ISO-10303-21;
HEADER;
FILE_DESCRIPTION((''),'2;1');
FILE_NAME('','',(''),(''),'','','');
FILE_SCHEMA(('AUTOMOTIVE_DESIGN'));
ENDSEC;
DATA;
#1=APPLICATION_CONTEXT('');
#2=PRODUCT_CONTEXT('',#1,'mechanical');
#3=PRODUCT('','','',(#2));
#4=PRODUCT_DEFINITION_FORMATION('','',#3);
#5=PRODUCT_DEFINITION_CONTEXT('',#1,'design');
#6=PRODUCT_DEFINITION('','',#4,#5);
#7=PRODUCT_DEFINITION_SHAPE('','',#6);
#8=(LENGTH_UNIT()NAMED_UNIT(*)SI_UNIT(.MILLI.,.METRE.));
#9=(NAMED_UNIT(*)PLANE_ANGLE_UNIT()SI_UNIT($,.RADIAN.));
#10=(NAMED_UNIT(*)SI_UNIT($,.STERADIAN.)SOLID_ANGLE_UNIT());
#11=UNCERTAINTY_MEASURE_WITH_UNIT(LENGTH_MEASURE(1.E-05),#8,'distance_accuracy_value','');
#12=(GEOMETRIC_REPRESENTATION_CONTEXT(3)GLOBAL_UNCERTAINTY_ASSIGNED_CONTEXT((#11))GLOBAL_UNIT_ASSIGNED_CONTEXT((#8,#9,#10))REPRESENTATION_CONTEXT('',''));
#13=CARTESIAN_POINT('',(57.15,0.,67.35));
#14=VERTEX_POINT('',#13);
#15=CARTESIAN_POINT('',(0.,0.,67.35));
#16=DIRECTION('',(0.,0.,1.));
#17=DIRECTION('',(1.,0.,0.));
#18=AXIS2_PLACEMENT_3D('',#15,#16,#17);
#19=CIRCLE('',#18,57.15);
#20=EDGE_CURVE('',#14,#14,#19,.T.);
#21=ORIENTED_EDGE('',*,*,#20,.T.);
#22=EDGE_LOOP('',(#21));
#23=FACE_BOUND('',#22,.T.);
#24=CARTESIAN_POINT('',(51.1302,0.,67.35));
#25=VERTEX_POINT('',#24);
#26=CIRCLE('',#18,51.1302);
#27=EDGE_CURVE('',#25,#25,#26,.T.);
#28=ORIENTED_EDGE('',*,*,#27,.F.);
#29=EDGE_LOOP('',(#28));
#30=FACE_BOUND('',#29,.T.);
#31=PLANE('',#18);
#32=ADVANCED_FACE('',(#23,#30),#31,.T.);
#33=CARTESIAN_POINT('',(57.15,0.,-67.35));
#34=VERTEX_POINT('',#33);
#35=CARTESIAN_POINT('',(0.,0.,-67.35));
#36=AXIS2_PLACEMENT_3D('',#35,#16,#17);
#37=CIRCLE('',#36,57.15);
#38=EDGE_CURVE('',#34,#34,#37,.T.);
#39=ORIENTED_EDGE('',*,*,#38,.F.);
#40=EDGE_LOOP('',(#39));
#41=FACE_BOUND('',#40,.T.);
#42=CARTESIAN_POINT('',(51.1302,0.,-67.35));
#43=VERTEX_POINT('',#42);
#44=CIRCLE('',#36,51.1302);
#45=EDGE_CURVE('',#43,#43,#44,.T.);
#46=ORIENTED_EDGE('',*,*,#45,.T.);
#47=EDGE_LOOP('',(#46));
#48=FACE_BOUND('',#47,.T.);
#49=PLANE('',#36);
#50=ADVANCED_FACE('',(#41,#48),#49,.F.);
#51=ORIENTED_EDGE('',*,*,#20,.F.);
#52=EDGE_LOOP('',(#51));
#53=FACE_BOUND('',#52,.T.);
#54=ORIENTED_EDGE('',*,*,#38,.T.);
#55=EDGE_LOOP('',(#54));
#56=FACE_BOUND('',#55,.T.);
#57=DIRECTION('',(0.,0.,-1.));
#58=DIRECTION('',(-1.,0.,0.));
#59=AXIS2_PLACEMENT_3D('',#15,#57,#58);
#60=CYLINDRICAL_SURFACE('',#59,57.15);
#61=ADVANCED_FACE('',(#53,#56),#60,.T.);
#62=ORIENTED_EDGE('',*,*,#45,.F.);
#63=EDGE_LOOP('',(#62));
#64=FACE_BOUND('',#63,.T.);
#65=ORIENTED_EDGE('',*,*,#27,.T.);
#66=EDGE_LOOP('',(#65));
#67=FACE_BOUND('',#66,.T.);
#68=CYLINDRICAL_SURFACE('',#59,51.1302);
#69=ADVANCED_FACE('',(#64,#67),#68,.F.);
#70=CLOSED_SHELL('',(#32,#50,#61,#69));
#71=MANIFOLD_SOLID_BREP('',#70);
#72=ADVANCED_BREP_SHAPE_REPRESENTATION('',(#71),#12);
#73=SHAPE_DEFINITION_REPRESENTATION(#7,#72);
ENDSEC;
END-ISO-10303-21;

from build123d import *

# Parameters (mm, degrees)
SKETCH1_R           = 57.15
SKETCH1_R_2         = 51.1302
EXTRUDE_THIN1_DEPTH = 67.35


with BuildPart() as part:
    # Sketch1 → Extrude-Thin1 (new body, symmetric)
    with BuildSketch(Plane.XY):
        Circle(SKETCH1_R)
        Circle(SKETCH1_R_2, mode=Mode.SUBTRACT)
    extrude(amount=EXTRUDE_THIN1_DEPTH, both=True)


solid = part.part
